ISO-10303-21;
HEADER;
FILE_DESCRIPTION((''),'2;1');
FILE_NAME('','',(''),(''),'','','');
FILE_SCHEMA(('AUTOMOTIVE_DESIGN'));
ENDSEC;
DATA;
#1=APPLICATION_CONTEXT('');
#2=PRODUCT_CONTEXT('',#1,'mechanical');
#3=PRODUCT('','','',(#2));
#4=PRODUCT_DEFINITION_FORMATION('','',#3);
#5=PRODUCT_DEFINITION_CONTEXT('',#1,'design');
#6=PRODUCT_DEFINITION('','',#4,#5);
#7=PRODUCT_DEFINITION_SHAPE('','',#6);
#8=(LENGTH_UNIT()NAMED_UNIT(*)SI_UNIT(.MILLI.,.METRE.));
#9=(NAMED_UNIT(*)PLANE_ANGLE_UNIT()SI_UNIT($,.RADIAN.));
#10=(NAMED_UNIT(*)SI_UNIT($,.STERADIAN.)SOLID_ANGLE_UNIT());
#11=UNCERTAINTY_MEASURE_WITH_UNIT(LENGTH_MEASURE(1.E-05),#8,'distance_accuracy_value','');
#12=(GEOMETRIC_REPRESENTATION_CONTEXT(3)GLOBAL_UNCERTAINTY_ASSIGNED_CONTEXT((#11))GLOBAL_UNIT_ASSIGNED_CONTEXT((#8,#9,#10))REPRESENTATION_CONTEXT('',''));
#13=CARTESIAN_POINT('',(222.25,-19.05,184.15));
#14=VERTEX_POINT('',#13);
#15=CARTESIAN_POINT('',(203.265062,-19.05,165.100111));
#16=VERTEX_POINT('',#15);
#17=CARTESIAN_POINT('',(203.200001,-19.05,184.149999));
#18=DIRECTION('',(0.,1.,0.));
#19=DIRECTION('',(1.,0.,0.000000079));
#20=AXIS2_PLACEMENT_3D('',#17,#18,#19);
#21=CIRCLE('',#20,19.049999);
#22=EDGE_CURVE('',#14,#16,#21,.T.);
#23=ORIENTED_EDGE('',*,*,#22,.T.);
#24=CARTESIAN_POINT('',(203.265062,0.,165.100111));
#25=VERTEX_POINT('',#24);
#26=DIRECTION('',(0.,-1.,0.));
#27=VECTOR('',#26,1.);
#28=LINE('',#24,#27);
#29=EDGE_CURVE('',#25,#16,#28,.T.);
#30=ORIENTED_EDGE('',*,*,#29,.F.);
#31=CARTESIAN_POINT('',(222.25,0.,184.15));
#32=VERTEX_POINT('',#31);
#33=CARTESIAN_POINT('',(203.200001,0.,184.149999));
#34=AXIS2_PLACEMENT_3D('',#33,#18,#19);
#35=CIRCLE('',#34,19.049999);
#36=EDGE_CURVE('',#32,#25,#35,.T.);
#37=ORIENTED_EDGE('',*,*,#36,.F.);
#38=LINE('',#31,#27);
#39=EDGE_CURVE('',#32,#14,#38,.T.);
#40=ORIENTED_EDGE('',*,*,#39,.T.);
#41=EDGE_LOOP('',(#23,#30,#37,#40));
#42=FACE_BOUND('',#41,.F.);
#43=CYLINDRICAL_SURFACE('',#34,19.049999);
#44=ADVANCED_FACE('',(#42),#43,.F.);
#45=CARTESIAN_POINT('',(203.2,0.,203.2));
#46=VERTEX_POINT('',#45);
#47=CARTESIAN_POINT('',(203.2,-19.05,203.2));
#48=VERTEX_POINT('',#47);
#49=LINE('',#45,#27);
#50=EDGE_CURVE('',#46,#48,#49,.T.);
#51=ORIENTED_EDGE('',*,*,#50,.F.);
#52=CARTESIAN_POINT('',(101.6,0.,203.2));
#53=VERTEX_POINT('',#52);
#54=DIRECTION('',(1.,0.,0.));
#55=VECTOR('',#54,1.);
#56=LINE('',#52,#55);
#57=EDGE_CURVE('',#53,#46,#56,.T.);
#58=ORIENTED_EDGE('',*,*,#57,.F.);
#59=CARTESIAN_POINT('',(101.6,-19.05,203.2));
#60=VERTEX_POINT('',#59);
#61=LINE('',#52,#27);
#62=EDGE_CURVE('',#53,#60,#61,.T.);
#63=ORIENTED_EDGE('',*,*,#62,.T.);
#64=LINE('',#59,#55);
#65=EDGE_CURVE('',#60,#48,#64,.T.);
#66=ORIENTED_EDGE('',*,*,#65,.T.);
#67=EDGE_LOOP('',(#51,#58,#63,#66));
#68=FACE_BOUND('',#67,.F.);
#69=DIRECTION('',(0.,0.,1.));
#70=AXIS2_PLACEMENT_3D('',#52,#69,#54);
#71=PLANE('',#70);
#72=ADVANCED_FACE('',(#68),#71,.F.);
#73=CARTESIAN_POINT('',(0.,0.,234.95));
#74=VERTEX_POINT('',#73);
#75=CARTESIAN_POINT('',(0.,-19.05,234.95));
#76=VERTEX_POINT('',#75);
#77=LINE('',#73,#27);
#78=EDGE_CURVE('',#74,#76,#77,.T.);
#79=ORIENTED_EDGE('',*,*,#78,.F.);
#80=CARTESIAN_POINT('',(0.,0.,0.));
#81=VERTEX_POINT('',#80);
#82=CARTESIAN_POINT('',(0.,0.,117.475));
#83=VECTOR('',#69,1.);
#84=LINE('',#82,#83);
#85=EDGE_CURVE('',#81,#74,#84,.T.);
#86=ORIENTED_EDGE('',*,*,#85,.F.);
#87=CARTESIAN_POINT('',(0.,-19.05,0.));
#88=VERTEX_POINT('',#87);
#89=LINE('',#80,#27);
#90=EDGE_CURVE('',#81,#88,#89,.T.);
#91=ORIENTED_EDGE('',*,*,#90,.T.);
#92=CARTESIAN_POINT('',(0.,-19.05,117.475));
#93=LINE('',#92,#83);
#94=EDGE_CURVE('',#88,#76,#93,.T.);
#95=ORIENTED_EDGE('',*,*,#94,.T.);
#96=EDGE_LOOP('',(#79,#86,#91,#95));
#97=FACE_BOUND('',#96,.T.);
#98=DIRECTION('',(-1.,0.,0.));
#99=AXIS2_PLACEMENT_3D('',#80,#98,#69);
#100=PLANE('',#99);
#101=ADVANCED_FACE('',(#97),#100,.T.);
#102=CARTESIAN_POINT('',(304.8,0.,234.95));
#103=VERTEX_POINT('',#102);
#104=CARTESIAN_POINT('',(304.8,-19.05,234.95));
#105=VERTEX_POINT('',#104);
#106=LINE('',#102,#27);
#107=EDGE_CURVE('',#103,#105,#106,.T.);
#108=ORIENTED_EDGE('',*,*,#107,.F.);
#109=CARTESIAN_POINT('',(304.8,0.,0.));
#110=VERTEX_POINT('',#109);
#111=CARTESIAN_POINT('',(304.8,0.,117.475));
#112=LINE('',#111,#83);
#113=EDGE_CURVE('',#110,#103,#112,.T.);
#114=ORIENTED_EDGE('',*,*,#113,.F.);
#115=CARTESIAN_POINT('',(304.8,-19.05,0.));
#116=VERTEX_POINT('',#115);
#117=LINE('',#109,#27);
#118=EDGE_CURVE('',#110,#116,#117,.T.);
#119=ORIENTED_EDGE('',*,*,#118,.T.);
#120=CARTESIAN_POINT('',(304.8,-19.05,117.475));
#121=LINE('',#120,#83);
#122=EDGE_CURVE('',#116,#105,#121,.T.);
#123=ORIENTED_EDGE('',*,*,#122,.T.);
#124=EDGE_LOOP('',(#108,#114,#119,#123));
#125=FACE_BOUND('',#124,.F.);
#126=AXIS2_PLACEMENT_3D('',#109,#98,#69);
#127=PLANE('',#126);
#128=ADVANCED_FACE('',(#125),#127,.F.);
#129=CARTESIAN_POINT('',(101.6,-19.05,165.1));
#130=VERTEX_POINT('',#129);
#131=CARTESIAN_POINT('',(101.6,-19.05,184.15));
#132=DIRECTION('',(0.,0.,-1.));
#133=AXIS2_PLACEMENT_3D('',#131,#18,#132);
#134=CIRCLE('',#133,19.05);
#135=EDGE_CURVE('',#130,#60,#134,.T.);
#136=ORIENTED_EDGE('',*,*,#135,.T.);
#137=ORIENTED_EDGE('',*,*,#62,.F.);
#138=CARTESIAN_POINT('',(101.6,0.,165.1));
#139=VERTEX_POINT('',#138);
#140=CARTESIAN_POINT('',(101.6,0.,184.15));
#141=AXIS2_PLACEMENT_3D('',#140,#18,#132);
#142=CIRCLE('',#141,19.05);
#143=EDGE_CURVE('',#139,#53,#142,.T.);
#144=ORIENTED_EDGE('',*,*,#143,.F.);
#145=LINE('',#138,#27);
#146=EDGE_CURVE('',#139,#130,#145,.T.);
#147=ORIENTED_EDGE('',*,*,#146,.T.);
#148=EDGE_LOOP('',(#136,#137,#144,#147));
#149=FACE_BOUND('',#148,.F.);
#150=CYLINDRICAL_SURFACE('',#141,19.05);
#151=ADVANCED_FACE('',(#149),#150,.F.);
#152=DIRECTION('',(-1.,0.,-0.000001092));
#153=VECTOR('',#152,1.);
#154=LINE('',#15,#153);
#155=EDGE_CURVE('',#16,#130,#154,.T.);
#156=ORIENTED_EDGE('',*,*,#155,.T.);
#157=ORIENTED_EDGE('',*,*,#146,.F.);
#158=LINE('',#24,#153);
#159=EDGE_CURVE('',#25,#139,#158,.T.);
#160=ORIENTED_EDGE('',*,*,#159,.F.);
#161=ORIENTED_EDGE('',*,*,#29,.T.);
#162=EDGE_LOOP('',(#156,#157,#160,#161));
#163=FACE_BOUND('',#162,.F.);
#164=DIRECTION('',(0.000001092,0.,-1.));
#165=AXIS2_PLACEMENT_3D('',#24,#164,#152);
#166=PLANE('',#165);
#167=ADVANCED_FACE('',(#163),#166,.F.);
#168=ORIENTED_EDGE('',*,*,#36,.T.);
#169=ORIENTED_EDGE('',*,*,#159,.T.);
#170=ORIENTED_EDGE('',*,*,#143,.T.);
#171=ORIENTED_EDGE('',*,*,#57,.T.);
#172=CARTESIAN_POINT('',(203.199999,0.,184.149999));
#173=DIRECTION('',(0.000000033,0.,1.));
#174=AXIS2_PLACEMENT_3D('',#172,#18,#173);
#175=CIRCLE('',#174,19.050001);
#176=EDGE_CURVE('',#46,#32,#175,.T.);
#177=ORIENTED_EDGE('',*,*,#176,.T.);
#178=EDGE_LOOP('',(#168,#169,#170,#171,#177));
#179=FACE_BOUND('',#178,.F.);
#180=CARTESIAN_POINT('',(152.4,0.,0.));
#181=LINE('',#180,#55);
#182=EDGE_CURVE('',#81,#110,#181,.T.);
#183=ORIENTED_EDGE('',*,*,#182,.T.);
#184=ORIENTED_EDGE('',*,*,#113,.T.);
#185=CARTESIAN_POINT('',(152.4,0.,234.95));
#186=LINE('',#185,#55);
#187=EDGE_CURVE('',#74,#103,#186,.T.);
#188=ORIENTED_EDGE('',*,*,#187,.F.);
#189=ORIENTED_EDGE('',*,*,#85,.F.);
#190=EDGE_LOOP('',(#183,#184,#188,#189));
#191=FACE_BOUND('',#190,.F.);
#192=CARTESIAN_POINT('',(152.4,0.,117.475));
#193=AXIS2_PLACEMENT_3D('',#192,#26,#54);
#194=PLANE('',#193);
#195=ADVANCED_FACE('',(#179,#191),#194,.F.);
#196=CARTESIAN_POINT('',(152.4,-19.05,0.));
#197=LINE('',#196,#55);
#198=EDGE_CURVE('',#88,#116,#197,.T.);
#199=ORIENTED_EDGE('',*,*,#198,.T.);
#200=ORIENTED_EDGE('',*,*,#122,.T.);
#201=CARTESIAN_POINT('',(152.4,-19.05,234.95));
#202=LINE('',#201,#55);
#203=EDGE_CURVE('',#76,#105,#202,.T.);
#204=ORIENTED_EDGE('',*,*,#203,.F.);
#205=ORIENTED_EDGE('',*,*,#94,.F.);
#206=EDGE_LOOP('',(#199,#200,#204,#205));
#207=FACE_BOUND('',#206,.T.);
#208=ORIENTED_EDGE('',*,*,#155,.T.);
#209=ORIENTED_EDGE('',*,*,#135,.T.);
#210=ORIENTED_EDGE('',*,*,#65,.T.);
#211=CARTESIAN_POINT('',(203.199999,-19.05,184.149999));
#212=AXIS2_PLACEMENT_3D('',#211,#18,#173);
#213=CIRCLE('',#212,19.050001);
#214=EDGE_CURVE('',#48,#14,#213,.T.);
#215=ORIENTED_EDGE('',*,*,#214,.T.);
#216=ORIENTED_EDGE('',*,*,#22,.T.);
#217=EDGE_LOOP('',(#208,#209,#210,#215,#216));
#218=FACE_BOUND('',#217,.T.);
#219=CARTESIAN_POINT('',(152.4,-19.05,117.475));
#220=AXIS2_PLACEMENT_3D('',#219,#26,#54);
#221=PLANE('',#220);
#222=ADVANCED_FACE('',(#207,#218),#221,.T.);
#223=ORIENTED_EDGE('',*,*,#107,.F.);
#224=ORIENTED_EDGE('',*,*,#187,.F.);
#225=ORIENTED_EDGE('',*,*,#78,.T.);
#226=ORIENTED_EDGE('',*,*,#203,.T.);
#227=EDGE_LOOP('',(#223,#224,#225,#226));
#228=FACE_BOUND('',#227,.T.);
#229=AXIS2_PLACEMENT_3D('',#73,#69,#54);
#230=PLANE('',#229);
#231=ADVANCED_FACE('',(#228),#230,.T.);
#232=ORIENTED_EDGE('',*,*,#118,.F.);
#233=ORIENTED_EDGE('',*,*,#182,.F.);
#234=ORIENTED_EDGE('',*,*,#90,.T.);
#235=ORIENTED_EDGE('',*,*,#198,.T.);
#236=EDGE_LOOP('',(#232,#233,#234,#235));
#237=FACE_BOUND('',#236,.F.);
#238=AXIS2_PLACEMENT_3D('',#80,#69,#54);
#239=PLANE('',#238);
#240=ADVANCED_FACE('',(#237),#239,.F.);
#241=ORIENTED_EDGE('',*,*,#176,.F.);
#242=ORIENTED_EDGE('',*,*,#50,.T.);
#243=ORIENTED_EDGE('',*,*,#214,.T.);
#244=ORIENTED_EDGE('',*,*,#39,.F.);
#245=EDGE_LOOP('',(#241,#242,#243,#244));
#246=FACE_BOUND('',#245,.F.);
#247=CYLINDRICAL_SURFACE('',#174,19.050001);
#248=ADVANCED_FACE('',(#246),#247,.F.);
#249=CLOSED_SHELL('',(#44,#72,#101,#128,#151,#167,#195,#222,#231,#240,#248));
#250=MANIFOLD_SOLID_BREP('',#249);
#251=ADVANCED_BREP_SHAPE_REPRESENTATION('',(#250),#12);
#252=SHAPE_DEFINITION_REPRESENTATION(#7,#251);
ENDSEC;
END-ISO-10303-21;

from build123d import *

# Parameters (mm, degrees)
F0_W     = 304.8
F0_H     = 234.95
F1_DEPTH = 19.05


with BuildPart() as f1:
    # F0 (on Front) → F1 (new body)
    with BuildSketch(Plane.XZ):
        with Locations((152.4, 117.475)):
            Rectangle(F0_W, F0_H)
        with BuildLine():
            ThreePointArc((101.6, 165.1), (82.55, 184.15), (101.6, 203.2))
            Line((101.6, 203.2), (203.2, 203.2))
            ThreePointArc((203.2, 203.2), (216.670384, 197.620384), (222.25, 184.15))
            ThreePointArc((222.25, 184.15), (216.693368, 170.702638), (203.265062, 165.100111))
            Line((203.265062, 165.100111), (101.6, 165.1))
        make_face(mode=Mode.SUBTRACT)
    extrude(amount=F1_DEPTH)


solid = f1.part
